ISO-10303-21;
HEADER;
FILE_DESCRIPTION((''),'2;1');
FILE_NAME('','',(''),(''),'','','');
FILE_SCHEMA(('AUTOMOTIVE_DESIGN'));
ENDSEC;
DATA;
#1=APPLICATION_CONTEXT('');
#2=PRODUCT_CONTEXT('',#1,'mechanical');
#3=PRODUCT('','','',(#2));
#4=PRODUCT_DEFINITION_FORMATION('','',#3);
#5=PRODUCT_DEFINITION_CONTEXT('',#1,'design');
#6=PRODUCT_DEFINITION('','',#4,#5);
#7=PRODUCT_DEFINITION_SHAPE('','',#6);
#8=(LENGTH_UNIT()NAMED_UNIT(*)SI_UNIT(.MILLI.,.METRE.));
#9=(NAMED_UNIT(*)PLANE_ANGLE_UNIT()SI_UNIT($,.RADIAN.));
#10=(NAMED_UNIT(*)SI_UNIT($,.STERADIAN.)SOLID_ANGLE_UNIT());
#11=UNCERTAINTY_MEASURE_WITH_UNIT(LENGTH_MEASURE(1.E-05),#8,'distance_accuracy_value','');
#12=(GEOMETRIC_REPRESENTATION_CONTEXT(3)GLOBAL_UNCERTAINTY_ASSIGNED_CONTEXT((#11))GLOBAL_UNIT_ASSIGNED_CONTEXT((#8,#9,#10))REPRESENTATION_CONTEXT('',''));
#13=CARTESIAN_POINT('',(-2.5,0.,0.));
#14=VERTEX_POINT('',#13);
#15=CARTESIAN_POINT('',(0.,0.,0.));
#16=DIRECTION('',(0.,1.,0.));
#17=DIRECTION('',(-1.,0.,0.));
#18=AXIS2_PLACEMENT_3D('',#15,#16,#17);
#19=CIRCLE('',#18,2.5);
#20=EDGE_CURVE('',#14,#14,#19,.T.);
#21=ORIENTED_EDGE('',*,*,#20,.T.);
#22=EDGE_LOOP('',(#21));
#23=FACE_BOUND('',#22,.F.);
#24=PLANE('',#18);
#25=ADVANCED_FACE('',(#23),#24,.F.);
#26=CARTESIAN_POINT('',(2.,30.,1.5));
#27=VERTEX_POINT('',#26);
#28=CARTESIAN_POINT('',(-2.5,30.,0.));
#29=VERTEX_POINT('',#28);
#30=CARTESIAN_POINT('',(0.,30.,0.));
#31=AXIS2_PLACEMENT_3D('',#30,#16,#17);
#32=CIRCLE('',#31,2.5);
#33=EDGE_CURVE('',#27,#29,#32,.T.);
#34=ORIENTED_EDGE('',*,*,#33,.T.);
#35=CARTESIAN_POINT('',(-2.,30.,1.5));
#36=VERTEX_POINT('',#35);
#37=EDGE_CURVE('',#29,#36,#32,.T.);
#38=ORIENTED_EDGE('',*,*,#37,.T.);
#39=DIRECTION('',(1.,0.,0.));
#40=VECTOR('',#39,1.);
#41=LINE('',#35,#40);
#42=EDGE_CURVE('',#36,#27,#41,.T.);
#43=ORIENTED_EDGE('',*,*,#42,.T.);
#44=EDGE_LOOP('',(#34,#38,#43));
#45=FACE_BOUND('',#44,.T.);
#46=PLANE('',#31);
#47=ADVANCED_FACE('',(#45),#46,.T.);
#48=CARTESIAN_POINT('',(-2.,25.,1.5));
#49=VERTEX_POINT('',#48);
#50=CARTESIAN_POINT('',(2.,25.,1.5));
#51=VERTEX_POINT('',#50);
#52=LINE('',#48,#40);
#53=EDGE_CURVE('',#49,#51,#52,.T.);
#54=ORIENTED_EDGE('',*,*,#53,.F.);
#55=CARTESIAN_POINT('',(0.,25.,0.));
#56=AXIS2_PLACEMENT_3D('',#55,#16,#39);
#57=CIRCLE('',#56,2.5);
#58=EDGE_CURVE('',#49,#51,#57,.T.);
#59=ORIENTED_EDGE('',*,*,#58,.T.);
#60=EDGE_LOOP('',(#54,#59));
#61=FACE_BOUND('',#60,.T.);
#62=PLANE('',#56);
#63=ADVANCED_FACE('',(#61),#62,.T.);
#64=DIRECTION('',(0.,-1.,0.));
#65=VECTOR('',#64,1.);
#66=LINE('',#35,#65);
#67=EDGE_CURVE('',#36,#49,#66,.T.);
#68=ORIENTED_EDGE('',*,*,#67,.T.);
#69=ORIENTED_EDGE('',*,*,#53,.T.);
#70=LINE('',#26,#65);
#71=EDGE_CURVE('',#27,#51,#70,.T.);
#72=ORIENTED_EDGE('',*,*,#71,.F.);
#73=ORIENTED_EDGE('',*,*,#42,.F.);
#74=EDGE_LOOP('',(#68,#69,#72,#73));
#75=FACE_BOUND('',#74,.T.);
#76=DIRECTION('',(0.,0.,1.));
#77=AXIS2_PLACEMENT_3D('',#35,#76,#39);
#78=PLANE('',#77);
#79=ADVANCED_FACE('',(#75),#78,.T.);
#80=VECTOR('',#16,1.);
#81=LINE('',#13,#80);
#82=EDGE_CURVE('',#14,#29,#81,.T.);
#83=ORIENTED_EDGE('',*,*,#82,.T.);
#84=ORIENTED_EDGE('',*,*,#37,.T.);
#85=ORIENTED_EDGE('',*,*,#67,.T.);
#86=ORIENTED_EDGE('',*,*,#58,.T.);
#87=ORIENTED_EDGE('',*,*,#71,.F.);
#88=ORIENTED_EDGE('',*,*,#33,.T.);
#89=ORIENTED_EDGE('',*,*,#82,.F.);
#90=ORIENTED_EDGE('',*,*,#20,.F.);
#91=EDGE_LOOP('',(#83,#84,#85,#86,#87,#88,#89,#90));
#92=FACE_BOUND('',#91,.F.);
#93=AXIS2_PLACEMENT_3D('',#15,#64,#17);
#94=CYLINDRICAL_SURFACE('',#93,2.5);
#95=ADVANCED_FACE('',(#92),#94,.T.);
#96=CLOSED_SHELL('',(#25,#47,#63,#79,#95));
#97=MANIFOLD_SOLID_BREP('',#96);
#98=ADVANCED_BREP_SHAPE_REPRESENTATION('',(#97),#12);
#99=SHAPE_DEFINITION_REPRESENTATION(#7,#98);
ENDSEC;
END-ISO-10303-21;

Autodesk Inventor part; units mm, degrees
ref_plane "YZ Plane" through (0, 0, 0) normal (1, 0, 0) x (0, 1, 0)
ref_plane "XZ Plane" through (0, 0, 0) normal (0, 1, 0) x (-1, 0, 0)
ref_plane "XY Plane" through (0, 0, 0) normal (0, 0, 1) x (1, 0, 0)
sketch "스케치1" plane through (0, 0, 0) normal (0, 1, 0) x (-1, 0, 0)
  circle A0 centre (0, 0) radius 2.5
  dimension "d0" = 5
extrude "돌출1" add sketch "스케치1" along normal blind 30
sketch "스케치2" plane through (0, 30, 0) normal (0, 1, 0) x (1, 0, 0)
  circle A0 centre (0, 0) radius 2.5 projected
  line L0 (-2, -1.5) -> (2, -1.5)
  dimension "d3" = 1.5
extrude "돌출2" cut sketch "스케치2" against normal blind 5 contours L0 A0 picked at (-0.534, -1.6398)
properties part number "팔"
